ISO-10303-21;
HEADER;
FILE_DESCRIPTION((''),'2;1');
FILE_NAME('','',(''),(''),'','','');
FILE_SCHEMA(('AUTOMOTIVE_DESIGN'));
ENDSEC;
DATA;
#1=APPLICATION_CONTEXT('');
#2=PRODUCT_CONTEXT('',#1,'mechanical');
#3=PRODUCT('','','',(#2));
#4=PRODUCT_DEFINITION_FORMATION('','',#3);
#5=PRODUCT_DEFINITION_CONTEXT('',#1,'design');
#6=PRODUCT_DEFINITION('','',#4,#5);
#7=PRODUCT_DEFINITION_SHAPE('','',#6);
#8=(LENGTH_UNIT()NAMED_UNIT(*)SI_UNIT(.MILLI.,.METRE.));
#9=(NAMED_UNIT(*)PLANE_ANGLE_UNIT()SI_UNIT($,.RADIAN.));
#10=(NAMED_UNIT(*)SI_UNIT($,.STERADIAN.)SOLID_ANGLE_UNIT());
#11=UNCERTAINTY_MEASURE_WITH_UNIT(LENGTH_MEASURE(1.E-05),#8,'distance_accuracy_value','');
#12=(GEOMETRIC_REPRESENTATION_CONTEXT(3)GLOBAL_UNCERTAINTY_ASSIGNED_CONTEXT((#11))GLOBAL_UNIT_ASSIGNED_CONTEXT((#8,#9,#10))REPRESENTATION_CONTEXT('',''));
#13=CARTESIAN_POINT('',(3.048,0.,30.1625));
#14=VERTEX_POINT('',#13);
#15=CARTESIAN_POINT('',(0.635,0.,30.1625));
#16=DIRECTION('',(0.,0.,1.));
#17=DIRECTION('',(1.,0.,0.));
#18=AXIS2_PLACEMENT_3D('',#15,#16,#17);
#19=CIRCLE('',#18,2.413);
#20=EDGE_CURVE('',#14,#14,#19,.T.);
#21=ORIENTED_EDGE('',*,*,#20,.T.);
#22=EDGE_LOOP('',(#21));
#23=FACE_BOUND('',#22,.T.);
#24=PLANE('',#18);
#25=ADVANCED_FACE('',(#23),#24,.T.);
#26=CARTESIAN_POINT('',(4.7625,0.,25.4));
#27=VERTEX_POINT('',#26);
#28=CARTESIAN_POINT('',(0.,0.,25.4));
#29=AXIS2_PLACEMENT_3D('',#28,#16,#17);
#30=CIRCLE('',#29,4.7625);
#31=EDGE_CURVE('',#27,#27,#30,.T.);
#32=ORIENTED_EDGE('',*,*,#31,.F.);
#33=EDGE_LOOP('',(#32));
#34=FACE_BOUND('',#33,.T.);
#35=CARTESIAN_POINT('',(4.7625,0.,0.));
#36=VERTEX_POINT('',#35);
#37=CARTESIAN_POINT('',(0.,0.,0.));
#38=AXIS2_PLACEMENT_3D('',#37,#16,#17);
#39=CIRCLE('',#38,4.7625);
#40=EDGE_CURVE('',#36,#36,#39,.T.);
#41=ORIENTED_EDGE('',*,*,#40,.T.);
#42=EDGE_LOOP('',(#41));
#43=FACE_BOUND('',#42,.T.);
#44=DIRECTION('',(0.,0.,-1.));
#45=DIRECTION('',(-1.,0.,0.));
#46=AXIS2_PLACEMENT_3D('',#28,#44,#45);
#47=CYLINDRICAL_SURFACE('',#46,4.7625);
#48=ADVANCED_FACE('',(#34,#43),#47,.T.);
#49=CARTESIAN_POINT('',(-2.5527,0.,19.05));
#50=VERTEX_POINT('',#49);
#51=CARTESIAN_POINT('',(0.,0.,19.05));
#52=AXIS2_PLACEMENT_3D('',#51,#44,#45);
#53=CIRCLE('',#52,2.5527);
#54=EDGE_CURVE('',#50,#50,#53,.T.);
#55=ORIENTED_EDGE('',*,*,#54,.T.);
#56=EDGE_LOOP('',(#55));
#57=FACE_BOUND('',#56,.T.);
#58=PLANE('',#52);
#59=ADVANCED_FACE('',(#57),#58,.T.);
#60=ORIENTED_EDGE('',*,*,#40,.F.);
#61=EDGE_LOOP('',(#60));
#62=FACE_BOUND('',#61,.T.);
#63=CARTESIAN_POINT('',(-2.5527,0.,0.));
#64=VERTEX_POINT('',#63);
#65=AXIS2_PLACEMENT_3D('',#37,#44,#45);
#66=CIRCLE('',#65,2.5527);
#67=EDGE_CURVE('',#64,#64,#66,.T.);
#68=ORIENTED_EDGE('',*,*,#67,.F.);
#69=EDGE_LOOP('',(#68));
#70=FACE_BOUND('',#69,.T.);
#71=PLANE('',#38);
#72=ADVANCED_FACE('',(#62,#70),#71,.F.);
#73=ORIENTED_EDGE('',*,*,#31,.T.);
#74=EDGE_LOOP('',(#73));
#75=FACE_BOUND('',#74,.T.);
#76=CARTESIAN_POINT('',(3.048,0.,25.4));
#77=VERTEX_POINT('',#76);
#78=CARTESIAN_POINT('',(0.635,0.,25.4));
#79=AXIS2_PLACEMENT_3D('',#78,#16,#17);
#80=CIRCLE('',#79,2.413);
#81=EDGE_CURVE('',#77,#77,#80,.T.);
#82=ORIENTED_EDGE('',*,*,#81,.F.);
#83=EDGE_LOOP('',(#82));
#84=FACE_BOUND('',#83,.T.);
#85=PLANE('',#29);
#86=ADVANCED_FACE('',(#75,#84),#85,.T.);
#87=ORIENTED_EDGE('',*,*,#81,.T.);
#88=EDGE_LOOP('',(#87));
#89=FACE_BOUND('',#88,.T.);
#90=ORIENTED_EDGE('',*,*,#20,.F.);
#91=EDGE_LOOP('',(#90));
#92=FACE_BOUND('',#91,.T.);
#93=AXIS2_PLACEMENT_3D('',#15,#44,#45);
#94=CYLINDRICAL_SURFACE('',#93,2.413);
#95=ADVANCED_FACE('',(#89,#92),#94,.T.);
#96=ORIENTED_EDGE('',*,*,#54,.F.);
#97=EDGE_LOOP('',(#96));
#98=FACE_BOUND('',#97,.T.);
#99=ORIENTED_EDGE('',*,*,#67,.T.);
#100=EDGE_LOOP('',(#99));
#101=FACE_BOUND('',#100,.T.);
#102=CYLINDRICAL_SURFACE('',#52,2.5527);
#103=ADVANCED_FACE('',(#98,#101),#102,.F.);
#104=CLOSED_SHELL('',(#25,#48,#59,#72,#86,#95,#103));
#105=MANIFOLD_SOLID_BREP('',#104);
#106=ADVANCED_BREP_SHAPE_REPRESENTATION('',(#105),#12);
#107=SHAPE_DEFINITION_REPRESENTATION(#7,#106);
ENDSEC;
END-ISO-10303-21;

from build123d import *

# Parameters (mm, degrees)
SKETCH1_R           = 4.7625
BOSS_EXTRUDE2_DEPTH = 25.4
SKETCH4_R           = 2.413
BOSS_EXTRUDE3_DEPTH = 4.7625
SKETCH5_R           = 2.5527
CUT_EXTRUDE2_DEPTH  = 19.05


with BuildPart() as part:
    # Sketch1 → Boss-Extrude2 (new body)
    with BuildSketch(Plane.XY):
        Circle(SKETCH1_R)
    extrude(amount=BOSS_EXTRUDE2_DEPTH)

    # Sketch4 → Boss-Extrude3 (add)
    with BuildSketch(Plane.XY.offset(25.4)):
        with Locations((0.635, 0)):
            Circle(SKETCH4_R)
    extrude(amount=BOSS_EXTRUDE3_DEPTH)

    # Sketch5 → Cut-Extrude2 (cut)
    with BuildSketch(Plane(origin=(0, 0, 0), x_dir=(-1, 0, 0), z_dir=(0, 0, -1))):
        Circle(SKETCH5_R)
    extrude(amount=-CUT_EXTRUDE2_DEPTH, mode=Mode.SUBTRACT)


solid = part.part
